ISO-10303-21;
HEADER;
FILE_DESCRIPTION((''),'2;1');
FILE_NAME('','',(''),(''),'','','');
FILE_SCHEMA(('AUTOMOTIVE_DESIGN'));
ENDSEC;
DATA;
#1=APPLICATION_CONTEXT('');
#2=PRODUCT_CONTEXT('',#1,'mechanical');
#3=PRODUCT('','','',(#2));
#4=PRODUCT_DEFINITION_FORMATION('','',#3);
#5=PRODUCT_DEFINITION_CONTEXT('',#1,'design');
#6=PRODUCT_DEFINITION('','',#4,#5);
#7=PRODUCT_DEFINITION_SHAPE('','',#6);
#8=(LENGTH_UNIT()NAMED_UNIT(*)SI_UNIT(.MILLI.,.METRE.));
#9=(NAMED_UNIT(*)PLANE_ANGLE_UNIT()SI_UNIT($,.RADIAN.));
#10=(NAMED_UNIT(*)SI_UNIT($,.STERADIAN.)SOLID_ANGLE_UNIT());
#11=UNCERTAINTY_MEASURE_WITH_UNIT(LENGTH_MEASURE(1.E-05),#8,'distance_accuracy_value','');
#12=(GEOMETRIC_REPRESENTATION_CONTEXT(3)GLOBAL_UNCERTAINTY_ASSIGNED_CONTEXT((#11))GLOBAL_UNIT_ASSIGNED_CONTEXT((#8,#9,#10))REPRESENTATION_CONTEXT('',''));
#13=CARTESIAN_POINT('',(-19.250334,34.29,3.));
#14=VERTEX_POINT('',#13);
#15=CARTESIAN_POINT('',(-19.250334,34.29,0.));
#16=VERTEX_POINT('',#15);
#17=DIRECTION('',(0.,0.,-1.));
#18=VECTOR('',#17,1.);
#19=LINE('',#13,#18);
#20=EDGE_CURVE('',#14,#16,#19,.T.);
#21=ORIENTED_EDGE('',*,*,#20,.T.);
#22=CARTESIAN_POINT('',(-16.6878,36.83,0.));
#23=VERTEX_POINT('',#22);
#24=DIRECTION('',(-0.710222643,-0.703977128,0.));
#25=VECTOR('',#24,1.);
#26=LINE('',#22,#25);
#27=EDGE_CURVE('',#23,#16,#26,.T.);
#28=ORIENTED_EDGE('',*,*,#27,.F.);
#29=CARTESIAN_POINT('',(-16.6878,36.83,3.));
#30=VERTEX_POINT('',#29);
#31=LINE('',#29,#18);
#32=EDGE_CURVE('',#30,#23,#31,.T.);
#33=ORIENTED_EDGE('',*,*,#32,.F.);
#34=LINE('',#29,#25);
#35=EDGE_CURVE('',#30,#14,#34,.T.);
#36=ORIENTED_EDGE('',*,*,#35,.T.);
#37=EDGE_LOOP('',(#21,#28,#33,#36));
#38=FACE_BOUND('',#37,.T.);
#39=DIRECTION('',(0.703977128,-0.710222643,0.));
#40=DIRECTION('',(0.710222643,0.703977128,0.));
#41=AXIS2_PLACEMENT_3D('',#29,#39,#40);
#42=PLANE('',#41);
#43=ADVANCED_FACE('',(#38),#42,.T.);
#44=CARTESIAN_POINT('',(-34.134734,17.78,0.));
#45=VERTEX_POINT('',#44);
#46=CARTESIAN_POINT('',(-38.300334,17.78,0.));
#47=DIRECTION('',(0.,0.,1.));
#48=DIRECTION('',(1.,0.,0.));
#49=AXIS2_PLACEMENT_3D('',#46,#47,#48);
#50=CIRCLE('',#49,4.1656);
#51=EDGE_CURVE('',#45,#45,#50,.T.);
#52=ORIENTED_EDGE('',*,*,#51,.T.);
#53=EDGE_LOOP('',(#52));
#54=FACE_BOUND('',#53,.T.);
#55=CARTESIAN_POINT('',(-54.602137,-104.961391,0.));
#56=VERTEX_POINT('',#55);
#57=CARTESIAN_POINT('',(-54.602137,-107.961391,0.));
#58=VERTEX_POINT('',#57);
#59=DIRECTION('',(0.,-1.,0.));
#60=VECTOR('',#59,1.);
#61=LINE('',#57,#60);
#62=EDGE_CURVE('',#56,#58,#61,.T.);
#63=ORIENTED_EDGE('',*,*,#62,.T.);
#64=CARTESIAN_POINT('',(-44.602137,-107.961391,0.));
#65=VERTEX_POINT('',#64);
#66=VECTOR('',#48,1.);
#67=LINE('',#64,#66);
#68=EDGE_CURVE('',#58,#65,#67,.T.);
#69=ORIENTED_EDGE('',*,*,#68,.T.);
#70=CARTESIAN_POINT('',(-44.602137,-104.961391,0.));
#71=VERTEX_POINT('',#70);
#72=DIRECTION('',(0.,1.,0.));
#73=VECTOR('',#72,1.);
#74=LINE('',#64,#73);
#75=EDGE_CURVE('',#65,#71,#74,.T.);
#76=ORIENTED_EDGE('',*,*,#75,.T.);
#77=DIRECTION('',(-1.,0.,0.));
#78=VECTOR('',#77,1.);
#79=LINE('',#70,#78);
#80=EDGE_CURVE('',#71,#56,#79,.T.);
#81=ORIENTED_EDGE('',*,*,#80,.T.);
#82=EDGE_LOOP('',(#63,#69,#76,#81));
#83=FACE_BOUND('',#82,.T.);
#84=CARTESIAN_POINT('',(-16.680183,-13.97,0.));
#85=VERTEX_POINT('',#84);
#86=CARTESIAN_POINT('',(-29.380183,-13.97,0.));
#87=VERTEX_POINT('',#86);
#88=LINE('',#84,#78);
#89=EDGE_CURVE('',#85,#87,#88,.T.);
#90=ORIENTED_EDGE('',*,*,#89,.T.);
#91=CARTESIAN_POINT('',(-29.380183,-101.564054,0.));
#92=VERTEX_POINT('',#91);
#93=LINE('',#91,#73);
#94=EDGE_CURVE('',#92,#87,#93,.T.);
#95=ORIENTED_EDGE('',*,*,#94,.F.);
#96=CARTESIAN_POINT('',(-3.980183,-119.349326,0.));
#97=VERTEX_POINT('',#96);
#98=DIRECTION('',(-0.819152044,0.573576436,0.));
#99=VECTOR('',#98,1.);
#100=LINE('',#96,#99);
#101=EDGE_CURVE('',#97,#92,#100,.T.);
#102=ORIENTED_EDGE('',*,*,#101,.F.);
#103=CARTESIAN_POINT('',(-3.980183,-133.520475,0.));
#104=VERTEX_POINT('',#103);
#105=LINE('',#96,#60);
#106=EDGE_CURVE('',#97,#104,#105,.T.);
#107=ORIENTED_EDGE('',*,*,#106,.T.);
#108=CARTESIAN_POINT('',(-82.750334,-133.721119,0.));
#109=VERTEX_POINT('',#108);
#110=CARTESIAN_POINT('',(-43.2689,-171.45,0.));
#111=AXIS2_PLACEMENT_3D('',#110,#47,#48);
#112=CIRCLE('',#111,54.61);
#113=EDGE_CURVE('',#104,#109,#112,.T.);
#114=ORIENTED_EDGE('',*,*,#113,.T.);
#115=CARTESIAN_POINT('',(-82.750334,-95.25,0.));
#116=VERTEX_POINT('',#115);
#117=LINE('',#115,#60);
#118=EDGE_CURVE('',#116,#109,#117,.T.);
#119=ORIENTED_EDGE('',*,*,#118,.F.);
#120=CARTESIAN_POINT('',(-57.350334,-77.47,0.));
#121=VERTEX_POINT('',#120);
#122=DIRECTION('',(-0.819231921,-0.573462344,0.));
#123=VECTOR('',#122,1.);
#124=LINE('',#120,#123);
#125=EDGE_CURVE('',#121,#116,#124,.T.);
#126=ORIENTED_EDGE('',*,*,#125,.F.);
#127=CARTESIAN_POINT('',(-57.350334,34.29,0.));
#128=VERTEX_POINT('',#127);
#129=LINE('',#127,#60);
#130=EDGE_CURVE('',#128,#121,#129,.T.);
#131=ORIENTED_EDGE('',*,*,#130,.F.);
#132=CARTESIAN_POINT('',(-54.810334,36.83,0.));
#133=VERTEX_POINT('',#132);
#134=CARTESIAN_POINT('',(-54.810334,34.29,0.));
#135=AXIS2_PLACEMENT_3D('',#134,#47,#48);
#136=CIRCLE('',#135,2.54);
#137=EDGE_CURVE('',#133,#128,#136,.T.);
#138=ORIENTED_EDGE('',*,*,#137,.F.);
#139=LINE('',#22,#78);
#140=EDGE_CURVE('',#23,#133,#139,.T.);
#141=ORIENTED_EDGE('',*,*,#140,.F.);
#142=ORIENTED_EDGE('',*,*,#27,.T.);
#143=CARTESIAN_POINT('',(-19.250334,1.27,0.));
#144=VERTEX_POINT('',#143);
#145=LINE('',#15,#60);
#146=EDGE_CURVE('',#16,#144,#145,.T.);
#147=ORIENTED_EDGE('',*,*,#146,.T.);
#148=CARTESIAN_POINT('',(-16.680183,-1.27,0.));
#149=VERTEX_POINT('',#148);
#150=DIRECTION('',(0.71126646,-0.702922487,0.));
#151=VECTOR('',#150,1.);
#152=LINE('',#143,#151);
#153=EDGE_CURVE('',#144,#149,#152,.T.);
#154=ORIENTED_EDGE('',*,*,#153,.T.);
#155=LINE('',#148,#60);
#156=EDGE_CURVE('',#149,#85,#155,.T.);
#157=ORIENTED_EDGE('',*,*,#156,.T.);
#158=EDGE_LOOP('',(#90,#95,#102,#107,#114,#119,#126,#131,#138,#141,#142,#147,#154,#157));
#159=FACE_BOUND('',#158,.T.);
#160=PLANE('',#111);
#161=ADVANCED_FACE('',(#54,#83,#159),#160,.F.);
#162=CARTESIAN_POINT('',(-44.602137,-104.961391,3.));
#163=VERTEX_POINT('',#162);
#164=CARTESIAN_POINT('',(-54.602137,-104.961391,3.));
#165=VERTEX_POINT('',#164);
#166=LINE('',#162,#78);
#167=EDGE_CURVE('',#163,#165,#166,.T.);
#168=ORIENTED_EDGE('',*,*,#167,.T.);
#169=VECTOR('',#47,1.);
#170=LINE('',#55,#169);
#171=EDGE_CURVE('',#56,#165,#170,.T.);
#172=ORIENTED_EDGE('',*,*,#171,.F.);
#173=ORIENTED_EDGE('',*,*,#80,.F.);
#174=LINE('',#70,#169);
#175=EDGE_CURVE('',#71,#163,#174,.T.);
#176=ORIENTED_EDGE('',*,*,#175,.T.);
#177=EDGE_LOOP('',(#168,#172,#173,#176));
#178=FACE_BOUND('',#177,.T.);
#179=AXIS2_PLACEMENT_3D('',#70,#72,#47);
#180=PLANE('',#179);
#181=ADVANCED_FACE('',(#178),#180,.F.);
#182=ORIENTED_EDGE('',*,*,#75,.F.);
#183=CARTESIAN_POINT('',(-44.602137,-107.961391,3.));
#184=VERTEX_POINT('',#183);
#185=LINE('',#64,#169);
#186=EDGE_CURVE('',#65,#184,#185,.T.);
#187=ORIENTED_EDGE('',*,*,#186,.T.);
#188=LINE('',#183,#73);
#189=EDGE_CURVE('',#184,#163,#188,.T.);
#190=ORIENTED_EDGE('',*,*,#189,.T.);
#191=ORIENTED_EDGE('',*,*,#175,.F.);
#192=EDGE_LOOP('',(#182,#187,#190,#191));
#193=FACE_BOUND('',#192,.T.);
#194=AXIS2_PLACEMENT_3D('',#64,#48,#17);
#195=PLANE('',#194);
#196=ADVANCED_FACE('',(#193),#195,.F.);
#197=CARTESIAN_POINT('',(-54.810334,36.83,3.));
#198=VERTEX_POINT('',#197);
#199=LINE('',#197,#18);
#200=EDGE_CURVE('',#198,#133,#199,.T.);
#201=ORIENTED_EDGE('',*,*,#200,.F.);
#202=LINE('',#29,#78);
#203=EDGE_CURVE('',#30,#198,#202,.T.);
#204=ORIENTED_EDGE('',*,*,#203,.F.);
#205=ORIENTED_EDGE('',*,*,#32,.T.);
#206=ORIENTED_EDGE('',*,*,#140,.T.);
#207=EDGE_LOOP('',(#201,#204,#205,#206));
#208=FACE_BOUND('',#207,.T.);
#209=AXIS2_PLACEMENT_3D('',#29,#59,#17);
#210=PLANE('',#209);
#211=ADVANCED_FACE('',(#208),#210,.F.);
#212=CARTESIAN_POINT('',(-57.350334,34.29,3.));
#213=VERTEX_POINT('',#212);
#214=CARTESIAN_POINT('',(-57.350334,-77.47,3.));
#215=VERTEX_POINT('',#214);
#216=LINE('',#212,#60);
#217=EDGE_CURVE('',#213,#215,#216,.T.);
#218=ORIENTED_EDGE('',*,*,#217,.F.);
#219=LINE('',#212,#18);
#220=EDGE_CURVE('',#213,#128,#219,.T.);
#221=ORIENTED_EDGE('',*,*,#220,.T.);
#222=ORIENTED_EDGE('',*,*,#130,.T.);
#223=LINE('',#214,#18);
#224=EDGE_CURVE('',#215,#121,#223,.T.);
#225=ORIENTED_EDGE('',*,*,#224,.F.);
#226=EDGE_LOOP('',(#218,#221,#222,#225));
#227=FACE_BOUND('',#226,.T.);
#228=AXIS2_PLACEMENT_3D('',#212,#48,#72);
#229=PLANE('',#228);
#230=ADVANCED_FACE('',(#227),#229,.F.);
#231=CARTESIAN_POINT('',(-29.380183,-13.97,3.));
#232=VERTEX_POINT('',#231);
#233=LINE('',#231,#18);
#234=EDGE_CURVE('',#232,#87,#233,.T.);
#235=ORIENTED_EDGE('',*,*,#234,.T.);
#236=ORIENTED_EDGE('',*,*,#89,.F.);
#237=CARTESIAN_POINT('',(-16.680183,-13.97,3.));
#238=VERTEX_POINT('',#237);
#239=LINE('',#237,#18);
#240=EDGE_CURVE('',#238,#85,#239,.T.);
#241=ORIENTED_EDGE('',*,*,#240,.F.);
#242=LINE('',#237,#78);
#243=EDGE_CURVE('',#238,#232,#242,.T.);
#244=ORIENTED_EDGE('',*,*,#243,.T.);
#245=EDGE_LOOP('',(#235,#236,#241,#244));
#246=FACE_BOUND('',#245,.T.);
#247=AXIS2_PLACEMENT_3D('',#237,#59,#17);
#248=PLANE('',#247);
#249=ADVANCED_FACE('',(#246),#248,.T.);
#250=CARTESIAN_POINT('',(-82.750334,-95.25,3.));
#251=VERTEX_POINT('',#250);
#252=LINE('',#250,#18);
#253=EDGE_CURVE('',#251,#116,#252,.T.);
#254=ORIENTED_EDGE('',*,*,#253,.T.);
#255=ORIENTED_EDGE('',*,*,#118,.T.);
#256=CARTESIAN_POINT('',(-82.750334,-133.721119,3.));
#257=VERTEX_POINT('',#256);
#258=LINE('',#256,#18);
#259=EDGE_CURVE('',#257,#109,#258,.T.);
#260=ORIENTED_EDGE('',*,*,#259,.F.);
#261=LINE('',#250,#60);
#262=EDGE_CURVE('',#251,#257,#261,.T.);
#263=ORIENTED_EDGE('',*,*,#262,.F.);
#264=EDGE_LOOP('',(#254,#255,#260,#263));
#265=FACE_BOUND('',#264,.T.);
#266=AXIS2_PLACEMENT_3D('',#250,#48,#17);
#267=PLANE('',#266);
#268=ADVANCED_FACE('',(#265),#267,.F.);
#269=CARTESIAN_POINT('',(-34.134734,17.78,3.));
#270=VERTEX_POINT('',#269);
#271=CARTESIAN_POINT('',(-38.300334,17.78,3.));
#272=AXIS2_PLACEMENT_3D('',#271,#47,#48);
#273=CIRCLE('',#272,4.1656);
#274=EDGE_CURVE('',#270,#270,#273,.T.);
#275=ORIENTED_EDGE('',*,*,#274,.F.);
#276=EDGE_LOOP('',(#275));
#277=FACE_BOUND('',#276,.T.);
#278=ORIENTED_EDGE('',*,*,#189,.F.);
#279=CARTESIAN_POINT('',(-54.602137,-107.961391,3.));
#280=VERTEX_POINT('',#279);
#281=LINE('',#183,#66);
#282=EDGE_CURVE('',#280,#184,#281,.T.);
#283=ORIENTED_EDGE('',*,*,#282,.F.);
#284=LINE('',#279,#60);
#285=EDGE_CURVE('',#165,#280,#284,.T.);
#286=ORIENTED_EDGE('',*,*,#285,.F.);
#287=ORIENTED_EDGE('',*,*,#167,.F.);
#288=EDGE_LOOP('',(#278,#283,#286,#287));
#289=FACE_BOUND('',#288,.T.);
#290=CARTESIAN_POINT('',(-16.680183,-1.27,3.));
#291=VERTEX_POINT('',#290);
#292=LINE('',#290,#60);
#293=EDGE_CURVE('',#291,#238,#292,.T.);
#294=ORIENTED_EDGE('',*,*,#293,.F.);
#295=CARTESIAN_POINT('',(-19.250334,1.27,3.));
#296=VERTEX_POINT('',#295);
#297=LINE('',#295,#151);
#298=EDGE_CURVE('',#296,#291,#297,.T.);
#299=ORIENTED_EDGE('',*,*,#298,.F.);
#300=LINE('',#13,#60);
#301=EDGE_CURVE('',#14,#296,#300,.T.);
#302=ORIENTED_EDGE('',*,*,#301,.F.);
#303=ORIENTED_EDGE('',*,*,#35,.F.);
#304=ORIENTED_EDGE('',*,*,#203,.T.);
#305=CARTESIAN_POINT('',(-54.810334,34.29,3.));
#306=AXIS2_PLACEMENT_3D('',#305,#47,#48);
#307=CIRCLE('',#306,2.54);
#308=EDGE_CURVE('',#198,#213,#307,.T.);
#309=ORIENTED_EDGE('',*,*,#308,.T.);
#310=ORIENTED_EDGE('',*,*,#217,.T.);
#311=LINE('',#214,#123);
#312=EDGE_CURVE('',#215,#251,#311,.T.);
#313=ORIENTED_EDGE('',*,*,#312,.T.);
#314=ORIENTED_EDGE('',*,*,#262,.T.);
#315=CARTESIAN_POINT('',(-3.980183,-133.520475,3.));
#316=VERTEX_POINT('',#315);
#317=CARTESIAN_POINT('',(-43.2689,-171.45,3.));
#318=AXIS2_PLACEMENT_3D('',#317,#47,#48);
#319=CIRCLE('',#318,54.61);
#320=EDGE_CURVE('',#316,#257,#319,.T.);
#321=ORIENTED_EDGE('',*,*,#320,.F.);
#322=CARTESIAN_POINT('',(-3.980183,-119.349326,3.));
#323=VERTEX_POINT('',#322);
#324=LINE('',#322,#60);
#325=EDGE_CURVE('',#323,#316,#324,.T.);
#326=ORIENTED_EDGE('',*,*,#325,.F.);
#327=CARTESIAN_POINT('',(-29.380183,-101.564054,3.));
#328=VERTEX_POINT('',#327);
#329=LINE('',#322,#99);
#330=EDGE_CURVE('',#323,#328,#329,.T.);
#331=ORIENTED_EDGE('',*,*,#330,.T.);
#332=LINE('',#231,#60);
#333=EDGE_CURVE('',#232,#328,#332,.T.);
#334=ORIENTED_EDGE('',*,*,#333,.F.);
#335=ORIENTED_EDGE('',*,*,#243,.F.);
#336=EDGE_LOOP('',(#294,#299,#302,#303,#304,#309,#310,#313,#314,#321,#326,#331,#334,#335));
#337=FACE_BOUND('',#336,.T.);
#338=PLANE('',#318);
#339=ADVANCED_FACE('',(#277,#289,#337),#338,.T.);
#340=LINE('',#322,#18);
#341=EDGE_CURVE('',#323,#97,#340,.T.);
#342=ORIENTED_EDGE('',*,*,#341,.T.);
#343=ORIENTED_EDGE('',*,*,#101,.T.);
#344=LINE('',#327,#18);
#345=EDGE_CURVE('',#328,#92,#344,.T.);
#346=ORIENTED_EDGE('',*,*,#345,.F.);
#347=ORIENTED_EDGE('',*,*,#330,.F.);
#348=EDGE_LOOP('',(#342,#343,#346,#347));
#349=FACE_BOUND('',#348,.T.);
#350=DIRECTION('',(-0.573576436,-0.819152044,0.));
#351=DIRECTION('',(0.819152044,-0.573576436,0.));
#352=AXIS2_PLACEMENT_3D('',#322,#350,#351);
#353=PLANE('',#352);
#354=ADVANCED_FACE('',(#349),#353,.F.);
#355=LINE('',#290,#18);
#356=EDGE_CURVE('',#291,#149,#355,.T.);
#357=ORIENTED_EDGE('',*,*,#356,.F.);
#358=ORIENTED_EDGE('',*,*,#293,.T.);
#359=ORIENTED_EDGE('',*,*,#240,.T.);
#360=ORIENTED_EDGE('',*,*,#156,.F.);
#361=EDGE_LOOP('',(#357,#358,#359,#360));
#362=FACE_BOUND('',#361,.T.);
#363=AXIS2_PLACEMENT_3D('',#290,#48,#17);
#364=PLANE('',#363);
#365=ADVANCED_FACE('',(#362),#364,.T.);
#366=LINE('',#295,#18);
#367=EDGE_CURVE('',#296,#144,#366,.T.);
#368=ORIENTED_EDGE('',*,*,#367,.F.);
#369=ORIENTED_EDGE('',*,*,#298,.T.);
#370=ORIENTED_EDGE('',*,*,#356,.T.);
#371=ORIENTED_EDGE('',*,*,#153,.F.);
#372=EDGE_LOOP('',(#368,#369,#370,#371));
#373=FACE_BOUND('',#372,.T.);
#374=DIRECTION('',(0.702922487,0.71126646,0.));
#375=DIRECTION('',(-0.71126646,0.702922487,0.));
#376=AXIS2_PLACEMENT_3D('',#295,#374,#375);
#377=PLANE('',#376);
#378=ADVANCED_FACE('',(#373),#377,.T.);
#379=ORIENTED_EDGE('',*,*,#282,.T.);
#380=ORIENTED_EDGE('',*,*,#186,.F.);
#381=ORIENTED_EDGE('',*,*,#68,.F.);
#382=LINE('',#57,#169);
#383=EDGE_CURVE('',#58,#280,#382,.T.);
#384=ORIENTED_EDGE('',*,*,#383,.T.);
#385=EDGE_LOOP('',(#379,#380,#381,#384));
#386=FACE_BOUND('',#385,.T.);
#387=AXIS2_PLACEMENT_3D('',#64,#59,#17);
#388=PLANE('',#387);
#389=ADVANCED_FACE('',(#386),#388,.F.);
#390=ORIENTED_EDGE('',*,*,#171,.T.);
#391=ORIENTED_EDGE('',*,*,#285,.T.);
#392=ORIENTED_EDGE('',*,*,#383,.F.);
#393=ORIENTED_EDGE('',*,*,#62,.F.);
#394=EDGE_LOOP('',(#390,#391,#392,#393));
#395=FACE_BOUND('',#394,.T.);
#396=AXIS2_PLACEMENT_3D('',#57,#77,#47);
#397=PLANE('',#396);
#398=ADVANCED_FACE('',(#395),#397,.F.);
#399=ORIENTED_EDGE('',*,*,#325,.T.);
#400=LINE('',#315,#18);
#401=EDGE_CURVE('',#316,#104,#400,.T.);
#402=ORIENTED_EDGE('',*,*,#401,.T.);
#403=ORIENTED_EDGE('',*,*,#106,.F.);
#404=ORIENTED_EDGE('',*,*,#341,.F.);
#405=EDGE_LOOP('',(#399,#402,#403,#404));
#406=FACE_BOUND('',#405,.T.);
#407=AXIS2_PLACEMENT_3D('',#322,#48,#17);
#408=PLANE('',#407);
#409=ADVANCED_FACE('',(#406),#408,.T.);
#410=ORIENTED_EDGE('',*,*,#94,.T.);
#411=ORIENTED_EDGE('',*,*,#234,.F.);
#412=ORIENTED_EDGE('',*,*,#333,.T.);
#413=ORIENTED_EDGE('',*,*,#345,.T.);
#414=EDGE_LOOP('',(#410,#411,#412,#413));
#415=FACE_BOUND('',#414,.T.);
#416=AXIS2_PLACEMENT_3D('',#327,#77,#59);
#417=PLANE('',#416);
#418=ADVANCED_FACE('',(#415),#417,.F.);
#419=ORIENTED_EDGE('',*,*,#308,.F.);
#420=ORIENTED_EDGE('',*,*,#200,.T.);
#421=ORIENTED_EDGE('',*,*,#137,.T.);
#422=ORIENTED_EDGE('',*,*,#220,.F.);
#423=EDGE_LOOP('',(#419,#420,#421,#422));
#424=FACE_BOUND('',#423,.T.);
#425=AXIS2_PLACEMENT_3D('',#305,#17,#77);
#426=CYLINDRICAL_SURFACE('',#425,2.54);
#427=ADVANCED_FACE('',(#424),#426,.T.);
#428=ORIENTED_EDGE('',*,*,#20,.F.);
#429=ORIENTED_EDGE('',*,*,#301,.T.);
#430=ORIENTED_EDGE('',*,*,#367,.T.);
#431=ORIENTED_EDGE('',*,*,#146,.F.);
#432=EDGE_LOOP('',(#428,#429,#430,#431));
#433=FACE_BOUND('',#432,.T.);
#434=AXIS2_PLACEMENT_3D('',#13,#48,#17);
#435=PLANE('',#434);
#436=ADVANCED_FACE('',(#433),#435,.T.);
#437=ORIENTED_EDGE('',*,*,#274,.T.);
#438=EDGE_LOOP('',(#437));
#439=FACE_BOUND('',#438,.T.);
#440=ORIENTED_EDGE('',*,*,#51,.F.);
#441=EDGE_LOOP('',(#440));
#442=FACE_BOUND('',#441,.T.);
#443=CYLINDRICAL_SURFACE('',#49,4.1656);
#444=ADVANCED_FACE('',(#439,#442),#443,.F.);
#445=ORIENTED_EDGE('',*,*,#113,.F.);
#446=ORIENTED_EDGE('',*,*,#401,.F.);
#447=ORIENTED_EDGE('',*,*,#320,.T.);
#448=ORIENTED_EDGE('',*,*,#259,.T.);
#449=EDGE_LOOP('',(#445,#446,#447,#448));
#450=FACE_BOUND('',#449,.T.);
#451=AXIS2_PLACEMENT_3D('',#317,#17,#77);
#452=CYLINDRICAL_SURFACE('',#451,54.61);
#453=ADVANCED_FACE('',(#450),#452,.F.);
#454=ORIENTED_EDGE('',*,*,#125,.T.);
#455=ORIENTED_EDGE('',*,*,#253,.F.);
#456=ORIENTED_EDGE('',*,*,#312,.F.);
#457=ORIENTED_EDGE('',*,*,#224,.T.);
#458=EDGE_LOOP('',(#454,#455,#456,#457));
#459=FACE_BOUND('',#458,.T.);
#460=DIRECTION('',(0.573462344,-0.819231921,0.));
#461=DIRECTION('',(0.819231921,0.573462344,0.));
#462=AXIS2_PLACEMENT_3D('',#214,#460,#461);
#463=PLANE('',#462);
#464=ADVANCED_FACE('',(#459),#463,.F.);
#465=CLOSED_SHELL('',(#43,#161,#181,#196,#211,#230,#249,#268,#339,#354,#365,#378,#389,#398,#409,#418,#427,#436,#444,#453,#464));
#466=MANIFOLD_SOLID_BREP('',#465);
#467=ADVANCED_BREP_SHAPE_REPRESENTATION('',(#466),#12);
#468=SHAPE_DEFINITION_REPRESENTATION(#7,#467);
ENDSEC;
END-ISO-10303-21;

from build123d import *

# Parameters (mm, degrees)
BOSS_EXTRUDE1_DEPTH = 3
SKETCH2_R           = 4.1656
CUT_EXTRUDE1_DEPTH  = 158.283042746
SKETCH3_W           = 10.000000066
SKETCH3_H           = 3
CUT_EXTRUDE2_DEPTH  = 158.283042746


with BuildPart() as part:
    # Sketch1 → Boss-Extrude1 (new body)
    with BuildSketch(Plane(origin=(0, 0, 0), x_dir=(-1, 0, 0), z_dir=(0, 0, 1))):
        with BuildLine():
            Line((16.6878, -36.83), (54.810334268, -36.83))
            ThreePointArc((54.810334268, -36.83), (56.606385492, -36.086051224), (57.350334268, -34.29))
            Line((57.350334268, -34.29), (57.350334268, 77.47))
            Line((57.350334268, 77.47), (82.750334268, 95.25))
            Line((82.750334268, 95.25), (82.750334268, 133.721119177))
            ThreePointArc((82.750334268, 133.721119177), (43.408002592, 116.840177161), (3.980183448, 133.520475199))
            Line((3.980183448, 133.520475199), (3.980183448, 119.349325812))
            Line((3.980183448, 119.349325812), (29.380183448, 101.564054342))
            Line((29.380183448, 101.564054342), (29.380183448, 90.17))
            Line((29.380183448, 90.17), (29.380183448, 13.97))
            Line((29.380183448, 13.97), (16.680183448, 13.97))
            Line((16.680183448, 13.97), (16.680183448, 1.27))
            Line((16.680183448, 1.27), (19.250334268, -1.27))
            Line((19.250334268, -1.27), (19.250334268, -34.29))
            Line((19.250334268, -34.29), (16.6878, -36.83))
        make_face()
    extrude(amount=BOSS_EXTRUDE1_DEPTH)

    # Sketch2 → Cut-Extrude1 (cut, through all)
    with BuildSketch(Plane.XY.offset(3)):
        with Locations((-38.300334268, 17.78)):
            Circle(SKETCH2_R)
    extrude(amount=-CUT_EXTRUDE1_DEPTH, mode=Mode.SUBTRACT)

    # Sketch3 → Cut-Extrude2 (cut, through all)
    with BuildSketch(Plane.XY.offset(3)):
        with Locations((-49.602137137, -106.461390659)):
            Rectangle(SKETCH3_W, SKETCH3_H)
    extrude(amount=-CUT_EXTRUDE2_DEPTH, mode=Mode.SUBTRACT)


solid = part.part
